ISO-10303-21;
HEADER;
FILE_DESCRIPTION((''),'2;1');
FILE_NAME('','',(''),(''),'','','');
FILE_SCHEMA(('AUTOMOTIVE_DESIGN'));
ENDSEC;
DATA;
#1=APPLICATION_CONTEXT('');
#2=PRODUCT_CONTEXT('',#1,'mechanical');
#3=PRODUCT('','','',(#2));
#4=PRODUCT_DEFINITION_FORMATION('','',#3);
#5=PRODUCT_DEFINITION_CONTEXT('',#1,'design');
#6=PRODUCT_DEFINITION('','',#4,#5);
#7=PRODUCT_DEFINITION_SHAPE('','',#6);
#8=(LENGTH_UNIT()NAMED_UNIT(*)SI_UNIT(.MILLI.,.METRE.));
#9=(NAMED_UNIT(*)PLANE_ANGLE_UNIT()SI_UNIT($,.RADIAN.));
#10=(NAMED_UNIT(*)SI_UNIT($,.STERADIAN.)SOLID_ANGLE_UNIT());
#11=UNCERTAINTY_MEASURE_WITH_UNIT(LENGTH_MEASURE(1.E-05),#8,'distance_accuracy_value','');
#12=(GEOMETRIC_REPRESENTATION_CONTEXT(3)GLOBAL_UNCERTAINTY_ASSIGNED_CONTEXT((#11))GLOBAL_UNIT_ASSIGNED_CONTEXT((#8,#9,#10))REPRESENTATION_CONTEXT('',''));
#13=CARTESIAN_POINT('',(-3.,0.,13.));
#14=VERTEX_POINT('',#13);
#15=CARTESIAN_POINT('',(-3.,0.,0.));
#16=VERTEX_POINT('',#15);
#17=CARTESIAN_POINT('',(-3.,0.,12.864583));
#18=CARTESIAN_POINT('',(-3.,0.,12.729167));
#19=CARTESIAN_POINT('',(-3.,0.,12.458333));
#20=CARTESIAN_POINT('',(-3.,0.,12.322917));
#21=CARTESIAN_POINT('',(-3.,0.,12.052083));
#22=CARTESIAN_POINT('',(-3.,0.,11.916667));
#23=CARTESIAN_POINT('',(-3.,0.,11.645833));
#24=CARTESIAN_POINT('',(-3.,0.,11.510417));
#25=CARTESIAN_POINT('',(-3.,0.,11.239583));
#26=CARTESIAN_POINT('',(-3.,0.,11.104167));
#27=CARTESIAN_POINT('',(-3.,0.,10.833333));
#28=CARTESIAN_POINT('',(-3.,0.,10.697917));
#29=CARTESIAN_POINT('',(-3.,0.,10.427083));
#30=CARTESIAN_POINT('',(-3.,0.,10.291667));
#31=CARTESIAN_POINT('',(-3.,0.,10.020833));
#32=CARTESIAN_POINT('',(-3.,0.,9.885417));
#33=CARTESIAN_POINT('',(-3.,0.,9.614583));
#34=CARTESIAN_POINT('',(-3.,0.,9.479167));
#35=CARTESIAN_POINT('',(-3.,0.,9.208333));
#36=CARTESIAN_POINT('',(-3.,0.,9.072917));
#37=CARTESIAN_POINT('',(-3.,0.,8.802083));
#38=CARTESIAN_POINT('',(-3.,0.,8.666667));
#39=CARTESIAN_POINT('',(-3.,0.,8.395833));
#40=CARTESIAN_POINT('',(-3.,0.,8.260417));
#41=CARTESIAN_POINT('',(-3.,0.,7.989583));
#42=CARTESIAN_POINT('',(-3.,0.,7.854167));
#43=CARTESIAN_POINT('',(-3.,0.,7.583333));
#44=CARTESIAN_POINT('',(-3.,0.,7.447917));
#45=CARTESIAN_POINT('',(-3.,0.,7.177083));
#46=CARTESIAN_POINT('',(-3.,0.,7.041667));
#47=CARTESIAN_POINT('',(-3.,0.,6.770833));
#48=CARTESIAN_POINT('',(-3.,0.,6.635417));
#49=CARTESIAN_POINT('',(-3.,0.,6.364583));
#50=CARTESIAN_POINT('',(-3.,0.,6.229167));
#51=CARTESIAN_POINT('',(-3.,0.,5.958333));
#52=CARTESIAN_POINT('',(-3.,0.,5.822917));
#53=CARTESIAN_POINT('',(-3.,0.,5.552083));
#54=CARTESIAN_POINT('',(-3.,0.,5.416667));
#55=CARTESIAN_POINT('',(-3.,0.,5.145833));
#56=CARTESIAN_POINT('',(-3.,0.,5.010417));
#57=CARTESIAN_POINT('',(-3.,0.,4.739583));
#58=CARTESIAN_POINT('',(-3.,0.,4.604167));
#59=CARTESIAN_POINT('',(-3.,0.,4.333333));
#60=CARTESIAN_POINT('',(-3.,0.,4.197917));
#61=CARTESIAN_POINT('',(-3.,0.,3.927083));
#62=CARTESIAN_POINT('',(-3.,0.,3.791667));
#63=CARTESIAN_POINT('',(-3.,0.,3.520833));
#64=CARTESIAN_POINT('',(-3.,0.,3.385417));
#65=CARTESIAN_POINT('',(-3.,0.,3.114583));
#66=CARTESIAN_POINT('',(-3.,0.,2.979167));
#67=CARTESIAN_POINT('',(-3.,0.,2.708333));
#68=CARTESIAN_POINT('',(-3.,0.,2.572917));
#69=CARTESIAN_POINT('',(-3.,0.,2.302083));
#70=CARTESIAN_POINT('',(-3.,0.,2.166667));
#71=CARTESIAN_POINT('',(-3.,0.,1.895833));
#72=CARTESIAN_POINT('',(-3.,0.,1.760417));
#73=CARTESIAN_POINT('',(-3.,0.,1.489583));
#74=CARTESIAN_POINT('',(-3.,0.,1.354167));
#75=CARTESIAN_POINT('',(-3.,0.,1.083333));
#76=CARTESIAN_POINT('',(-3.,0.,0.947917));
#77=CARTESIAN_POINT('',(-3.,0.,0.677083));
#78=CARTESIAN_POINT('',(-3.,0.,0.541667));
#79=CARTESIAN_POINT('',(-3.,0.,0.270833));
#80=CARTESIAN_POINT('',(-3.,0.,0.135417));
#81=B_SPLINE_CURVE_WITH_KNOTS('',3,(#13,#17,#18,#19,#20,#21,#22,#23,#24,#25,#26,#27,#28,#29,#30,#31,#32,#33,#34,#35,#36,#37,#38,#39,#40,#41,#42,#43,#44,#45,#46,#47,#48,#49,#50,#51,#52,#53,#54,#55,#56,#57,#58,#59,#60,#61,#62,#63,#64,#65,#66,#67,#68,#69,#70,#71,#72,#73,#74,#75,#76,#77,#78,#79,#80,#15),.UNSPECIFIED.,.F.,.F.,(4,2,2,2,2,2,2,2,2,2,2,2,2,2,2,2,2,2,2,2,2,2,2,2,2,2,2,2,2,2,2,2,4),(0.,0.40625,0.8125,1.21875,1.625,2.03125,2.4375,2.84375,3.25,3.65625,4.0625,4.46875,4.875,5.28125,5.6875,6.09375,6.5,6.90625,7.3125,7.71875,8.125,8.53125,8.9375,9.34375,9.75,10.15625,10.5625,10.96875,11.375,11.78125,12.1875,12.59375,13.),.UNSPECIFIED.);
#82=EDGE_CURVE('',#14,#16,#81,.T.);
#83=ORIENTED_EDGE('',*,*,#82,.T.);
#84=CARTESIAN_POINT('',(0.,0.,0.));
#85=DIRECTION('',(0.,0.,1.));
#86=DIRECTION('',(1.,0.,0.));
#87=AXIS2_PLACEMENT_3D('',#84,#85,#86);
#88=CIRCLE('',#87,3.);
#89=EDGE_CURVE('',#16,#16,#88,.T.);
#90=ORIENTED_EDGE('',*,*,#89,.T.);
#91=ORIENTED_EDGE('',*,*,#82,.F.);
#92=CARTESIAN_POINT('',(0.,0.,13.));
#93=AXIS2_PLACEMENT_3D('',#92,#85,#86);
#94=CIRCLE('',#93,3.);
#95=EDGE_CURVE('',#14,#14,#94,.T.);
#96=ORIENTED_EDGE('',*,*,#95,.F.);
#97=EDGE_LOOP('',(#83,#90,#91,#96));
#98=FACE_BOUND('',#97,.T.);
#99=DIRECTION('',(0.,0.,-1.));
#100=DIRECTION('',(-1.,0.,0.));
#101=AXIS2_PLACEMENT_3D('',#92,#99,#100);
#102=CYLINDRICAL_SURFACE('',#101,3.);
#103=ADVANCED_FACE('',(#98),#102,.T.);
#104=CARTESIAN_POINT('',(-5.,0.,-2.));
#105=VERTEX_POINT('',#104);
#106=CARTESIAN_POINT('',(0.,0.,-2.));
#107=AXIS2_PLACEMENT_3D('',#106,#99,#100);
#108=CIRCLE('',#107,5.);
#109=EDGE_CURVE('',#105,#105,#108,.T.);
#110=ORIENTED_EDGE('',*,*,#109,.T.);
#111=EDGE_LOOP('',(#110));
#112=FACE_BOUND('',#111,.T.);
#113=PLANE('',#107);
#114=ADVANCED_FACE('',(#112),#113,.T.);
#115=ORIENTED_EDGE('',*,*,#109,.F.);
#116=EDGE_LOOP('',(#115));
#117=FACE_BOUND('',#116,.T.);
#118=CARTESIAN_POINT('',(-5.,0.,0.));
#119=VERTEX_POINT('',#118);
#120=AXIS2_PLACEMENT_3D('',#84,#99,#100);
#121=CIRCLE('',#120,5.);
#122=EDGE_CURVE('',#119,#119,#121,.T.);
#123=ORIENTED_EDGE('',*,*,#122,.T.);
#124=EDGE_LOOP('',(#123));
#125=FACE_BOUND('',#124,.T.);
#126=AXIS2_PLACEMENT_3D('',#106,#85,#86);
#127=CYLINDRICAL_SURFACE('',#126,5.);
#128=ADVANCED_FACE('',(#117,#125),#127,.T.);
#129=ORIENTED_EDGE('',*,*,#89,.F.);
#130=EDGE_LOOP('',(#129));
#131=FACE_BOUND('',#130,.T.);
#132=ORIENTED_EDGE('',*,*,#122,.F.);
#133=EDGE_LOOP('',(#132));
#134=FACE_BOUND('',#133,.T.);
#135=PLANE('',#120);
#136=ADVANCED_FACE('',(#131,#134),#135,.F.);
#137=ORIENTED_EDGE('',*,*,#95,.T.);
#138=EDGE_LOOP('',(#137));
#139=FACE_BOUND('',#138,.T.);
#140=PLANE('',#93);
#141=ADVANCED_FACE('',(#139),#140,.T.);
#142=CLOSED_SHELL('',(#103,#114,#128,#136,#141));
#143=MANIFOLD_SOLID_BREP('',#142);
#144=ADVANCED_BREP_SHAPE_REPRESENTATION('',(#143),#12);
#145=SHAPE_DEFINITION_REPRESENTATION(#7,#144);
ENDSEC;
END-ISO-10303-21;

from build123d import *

# Parameters (mm, degrees)
SKETCH1_R           = 3
BOSS_EXTRUDE4_DEPTH = 13
SKETCH2_R           = 5
BOSS_EXTRUDE5_DEPTH = 2


with BuildPart() as part:
    # Sketch1 → Boss-Extrude4 (new body)
    with BuildSketch(Plane.XY):
        with Locations(Location((0, 0, 0), (0, 0, 180))):
            Circle(SKETCH1_R)
    extrude(amount=BOSS_EXTRUDE4_DEPTH)

    # Sketch2 → Boss-Extrude5 (add)
    with BuildSketch(Plane(origin=(0, 0, 0), x_dir=(-1, 0, 0), z_dir=(0, 0, -1))):
        Circle(SKETCH2_R)
    extrude(amount=BOSS_EXTRUDE5_DEPTH)


solid = part.part
